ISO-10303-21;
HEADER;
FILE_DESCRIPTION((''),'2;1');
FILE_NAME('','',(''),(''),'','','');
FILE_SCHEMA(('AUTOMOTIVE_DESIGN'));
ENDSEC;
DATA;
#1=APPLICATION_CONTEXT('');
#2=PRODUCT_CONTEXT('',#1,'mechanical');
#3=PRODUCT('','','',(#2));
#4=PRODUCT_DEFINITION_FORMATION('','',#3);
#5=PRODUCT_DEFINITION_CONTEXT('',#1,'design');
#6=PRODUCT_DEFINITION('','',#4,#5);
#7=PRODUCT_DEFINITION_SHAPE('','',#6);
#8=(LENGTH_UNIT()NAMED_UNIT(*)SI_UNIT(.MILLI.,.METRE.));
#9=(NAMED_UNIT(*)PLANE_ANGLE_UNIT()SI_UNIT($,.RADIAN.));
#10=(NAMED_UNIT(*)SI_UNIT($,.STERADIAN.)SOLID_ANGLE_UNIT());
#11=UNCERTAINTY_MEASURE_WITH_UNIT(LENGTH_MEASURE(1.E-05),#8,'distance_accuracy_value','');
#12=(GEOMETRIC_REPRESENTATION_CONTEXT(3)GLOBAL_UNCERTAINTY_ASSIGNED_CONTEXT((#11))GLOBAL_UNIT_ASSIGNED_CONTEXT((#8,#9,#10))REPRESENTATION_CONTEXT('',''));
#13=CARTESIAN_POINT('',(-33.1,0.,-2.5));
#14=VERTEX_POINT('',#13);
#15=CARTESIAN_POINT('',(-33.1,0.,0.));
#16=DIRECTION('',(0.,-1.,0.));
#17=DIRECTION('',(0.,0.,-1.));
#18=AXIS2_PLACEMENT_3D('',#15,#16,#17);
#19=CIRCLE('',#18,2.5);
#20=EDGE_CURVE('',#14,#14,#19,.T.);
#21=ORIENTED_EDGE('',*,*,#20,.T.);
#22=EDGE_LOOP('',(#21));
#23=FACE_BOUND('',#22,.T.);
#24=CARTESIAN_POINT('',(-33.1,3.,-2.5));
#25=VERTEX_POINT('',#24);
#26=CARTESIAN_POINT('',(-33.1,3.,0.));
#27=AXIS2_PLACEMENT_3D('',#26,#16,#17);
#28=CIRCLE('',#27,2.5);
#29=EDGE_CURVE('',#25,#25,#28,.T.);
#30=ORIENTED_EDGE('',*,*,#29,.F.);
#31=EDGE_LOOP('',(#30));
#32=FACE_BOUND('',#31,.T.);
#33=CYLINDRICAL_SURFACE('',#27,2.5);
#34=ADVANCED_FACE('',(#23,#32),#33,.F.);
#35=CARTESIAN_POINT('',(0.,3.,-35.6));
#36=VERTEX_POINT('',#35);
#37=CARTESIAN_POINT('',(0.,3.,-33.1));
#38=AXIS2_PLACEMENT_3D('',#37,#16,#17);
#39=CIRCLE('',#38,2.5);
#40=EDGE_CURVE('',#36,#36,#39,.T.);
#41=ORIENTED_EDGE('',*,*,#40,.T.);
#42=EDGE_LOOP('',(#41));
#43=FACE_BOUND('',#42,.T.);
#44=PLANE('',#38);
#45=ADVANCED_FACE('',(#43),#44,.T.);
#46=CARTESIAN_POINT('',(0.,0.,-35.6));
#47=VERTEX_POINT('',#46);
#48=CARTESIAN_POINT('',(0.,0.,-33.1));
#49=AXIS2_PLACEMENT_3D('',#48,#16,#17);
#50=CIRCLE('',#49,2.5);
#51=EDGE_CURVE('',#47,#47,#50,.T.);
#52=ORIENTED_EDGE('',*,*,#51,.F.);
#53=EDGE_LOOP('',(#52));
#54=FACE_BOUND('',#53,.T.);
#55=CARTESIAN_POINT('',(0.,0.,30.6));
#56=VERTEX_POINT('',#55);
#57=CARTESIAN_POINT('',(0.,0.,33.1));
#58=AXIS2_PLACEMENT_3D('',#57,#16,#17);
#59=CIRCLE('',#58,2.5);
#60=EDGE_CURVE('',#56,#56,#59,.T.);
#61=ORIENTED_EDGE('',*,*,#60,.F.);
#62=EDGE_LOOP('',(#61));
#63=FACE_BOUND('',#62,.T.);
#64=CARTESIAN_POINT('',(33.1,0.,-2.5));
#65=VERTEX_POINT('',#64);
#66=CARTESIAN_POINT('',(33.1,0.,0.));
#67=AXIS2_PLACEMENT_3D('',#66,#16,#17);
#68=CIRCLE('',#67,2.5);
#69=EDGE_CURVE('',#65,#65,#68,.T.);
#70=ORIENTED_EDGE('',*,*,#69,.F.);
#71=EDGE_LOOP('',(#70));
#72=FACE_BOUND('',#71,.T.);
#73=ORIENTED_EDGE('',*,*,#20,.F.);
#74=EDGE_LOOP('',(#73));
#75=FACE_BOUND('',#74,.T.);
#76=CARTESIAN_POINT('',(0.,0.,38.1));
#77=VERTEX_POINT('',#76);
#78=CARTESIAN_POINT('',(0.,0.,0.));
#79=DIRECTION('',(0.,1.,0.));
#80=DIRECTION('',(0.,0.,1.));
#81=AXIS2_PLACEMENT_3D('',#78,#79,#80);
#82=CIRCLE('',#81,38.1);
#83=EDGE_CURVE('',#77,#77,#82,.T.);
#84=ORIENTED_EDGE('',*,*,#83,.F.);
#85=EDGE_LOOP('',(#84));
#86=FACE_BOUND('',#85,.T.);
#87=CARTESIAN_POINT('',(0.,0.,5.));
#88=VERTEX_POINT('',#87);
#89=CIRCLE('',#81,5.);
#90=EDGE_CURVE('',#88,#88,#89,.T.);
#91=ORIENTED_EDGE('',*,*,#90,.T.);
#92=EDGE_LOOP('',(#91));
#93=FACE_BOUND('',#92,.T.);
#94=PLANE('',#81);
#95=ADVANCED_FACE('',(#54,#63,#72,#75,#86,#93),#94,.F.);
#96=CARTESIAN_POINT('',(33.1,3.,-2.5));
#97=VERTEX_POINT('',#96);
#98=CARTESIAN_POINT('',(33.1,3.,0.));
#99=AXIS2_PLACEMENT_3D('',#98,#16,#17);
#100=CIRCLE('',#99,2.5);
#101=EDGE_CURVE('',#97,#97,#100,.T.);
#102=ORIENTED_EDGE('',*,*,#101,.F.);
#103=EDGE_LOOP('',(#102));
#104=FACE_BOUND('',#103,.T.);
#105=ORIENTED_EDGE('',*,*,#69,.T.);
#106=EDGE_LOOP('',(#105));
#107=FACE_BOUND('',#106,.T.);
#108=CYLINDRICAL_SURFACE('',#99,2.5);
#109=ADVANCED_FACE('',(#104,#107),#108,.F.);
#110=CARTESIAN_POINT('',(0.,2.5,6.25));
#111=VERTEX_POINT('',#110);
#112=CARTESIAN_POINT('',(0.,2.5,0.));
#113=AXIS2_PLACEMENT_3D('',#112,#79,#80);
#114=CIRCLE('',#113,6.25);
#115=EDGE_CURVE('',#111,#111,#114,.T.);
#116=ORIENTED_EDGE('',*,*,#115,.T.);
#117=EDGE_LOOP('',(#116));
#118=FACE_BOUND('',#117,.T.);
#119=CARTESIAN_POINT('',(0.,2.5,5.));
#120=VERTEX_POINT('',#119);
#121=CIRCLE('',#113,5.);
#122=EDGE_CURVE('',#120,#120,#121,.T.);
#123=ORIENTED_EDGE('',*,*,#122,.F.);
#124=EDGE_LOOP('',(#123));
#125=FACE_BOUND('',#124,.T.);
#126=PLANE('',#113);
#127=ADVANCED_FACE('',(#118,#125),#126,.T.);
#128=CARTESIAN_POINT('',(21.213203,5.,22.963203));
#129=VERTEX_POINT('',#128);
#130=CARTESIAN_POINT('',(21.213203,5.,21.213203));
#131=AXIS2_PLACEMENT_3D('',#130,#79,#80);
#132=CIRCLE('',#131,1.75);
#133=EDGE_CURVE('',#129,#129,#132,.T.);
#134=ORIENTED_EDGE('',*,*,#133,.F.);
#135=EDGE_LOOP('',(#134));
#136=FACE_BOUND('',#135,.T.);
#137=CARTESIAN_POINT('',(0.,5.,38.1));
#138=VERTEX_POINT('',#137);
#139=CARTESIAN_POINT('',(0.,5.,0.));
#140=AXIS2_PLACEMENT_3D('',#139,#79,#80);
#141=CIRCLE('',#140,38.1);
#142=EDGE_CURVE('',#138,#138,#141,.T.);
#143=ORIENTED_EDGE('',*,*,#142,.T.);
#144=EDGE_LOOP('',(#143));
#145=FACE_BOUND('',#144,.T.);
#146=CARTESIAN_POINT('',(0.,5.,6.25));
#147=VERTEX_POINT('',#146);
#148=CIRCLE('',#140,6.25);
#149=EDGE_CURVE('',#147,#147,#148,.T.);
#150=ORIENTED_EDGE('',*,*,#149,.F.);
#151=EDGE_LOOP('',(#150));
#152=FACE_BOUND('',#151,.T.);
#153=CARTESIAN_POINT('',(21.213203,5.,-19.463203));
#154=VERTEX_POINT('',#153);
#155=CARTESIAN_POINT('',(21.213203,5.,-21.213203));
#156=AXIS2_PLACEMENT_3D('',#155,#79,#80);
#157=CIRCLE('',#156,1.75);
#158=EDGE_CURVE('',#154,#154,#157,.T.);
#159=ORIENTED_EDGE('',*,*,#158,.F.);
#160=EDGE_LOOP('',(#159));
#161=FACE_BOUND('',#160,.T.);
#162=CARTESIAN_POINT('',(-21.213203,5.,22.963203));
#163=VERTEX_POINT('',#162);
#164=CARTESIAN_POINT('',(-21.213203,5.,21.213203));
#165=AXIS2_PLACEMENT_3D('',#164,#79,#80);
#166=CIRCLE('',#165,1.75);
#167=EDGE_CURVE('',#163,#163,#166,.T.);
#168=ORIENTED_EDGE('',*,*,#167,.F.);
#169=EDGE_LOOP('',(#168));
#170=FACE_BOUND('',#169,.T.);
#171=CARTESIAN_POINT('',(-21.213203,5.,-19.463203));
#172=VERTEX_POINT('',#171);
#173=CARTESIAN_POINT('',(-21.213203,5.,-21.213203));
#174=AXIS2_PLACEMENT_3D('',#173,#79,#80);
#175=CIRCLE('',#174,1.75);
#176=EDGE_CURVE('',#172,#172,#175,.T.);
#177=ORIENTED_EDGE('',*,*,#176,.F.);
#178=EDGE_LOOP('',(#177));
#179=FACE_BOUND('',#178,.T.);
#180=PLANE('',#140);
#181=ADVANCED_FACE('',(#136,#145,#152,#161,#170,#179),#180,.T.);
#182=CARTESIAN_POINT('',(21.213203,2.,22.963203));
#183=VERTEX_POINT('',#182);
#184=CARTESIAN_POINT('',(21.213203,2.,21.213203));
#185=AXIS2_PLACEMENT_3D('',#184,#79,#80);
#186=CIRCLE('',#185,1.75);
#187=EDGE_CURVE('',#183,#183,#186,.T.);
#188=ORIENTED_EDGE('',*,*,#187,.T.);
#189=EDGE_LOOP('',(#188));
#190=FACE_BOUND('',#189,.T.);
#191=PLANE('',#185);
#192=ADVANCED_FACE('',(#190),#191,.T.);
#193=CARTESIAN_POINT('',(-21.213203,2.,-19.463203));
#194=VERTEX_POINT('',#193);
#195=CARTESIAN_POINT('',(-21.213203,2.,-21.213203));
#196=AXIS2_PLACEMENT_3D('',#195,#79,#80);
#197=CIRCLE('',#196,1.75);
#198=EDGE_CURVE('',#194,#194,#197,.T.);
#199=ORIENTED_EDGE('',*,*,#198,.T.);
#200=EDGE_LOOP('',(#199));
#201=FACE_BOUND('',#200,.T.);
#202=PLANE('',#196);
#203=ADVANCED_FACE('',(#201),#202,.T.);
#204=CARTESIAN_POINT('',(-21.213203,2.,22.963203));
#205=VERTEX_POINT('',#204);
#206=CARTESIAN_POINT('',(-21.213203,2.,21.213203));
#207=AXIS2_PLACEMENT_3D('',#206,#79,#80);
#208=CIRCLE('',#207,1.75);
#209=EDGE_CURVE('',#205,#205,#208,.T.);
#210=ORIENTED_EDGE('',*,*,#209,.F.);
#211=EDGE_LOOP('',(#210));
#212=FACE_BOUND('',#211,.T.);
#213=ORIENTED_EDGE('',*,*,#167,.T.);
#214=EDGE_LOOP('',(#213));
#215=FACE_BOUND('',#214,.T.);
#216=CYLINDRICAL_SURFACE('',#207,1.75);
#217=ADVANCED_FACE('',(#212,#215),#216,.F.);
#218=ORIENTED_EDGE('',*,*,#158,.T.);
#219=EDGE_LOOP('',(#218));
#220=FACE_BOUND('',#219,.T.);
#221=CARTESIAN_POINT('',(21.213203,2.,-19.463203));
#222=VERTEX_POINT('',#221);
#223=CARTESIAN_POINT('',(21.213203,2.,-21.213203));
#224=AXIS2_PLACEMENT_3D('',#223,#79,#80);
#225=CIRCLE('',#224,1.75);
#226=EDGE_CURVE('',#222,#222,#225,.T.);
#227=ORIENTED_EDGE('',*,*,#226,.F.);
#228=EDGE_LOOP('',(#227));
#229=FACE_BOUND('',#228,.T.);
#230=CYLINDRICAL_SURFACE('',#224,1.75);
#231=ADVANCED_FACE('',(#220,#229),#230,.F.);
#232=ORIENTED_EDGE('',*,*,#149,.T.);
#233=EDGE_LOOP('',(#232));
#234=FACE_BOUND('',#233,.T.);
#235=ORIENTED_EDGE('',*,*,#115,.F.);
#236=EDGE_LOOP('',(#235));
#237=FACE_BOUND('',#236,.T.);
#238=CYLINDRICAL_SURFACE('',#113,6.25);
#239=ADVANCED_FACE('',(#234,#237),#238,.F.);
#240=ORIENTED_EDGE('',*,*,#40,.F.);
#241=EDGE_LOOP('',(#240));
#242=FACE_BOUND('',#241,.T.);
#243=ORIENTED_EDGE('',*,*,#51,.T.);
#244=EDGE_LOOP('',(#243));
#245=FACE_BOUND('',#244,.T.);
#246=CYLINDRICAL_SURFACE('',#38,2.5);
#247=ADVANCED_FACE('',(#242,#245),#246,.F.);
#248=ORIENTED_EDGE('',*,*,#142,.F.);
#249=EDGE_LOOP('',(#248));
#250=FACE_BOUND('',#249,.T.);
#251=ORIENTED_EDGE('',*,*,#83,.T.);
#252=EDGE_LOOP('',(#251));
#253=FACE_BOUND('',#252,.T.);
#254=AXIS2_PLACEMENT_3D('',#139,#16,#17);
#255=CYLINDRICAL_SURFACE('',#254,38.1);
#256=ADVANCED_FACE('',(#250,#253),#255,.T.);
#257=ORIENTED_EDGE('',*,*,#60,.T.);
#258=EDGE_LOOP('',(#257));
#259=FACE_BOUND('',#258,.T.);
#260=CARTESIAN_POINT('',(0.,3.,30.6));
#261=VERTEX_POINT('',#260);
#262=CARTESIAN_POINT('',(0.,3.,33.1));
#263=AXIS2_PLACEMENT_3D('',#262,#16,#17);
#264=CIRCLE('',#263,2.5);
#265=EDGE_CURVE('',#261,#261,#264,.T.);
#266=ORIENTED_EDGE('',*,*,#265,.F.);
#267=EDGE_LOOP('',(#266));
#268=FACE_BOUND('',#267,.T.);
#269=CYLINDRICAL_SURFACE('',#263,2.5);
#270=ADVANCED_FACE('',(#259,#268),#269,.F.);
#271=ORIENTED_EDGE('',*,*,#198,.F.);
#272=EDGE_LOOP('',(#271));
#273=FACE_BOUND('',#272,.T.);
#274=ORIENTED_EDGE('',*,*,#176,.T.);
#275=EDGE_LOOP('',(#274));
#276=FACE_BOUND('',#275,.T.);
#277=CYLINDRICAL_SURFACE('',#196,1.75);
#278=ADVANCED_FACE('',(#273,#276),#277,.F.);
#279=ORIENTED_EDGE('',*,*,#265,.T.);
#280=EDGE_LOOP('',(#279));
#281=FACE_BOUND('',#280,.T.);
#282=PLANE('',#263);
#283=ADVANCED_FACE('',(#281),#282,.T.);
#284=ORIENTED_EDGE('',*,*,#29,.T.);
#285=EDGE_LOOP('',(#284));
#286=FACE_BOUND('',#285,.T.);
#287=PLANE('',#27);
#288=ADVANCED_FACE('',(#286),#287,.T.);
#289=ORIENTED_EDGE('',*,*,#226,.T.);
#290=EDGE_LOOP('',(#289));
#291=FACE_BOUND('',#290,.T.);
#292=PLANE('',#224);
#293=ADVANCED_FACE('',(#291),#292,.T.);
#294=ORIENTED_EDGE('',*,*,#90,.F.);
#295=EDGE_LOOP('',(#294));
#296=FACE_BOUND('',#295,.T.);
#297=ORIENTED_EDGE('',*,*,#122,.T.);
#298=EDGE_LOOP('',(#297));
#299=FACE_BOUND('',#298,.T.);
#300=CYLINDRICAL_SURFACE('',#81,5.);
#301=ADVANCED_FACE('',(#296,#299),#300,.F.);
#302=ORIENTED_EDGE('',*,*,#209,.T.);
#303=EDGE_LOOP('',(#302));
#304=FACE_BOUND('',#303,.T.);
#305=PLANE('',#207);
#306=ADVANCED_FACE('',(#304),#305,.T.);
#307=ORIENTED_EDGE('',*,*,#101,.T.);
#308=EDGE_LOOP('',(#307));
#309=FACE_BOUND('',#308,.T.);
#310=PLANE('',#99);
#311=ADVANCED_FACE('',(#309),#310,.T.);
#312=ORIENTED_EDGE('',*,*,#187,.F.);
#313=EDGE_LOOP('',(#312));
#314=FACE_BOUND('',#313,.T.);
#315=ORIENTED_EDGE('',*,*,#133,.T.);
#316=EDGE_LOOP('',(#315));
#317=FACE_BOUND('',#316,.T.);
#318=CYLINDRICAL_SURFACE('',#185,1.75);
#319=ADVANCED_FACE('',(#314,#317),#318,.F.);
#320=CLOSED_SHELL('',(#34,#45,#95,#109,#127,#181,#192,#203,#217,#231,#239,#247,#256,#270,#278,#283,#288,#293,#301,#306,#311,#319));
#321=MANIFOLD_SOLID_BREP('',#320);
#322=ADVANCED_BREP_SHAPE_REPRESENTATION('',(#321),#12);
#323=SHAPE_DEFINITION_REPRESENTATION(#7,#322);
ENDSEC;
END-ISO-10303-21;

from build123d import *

# Parameters (mm, degrees)
SKETCH1_R           = 38.1
BOSS_EXTRUDE1_DEPTH = 5
SKETCH5_R           = 1.75
CUT_EXTRUDE5_DEPTH  = 3
SKETCH6_R           = 2.5
CUT_EXTRUDE6_DEPTH  = 3
SKETCH7_R           = 6.25
CUT_EXTRUDE7_DEPTH  = 2.5
SKETCH8_R           = 5
CUT_EXTRUDE10_DEPTH = 55.113029854


with BuildPart() as part:
    # Sketch1 → Boss-Extrude1 (new body)
    with BuildSketch(Plane(origin=(0, 0, 0), x_dir=(1, 0, 0), z_dir=(0, 1, 0))):
        with Locations(Location((0, 0, 0), (0, 0, 270))):
            Circle(SKETCH1_R)
    extrude(amount=BOSS_EXTRUDE1_DEPTH)

    # Sketch5 → Cut-Extrude5 (cut)
    with BuildSketch(Plane(origin=(0, 5, 0), x_dir=(1, 0, 0), z_dir=(0, 1, 0))):
        with Locations(Location((21.213203436, 21.213203436, 0), (0, 0, 270))):
            Circle(SKETCH5_R)
        with Locations(Location((-21.213203436, 21.213203436, 0), (0, 0, 270))):
            Circle(SKETCH5_R)
        with Locations(Location((-21.213203436, -21.213203436, 0), (0, 0, 270))):
            Circle(SKETCH5_R)
        with Locations(Location((21.213203436, -21.213203436, 0), (0, 0, 270))):
            Circle(SKETCH5_R)
    extrude(amount=-CUT_EXTRUDE5_DEPTH, mode=Mode.SUBTRACT)

    # Sketch6 → Cut-Extrude6 (cut)
    with BuildSketch(Plane.XZ):
        with Locations(Location((0, -33.1, 0), (0, 0, 270))):
            Circle(SKETCH6_R)
        with Locations(Location((33.1, 0, 0), (0, 0, 270))):
            Circle(SKETCH6_R)
        with Locations(Location((0, 33.1, 0), (0, 0, 270))):
            Circle(SKETCH6_R)
        with Locations(Location((-33.1, 0, 0), (0, 0, 270))):
            Circle(SKETCH6_R)
    extrude(amount=-CUT_EXTRUDE6_DEPTH, mode=Mode.SUBTRACT)

    # Sketch7 → Cut-Extrude7 (cut)
    with BuildSketch(Plane(origin=(0, 5, 0), x_dir=(1, 0, 0), z_dir=(0, 1, 0))):
        with Locations(Location((0, 0, 0), (0, 0, 270))):
            Circle(SKETCH7_R)
    extrude(amount=-CUT_EXTRUDE7_DEPTH, mode=Mode.SUBTRACT)

    # Sketch8 → Cut-Extrude10 (cut, through all)
    with BuildSketch(Plane(origin=(0, 5, 0), x_dir=(1, 0, 0), z_dir=(0, 1, 0))):
        with Locations(Location((0, 0, 0), (0, 0, 270))):
            Circle(SKETCH8_R)
    extrude(amount=-CUT_EXTRUDE10_DEPTH, mode=Mode.SUBTRACT)


solid = part.part
